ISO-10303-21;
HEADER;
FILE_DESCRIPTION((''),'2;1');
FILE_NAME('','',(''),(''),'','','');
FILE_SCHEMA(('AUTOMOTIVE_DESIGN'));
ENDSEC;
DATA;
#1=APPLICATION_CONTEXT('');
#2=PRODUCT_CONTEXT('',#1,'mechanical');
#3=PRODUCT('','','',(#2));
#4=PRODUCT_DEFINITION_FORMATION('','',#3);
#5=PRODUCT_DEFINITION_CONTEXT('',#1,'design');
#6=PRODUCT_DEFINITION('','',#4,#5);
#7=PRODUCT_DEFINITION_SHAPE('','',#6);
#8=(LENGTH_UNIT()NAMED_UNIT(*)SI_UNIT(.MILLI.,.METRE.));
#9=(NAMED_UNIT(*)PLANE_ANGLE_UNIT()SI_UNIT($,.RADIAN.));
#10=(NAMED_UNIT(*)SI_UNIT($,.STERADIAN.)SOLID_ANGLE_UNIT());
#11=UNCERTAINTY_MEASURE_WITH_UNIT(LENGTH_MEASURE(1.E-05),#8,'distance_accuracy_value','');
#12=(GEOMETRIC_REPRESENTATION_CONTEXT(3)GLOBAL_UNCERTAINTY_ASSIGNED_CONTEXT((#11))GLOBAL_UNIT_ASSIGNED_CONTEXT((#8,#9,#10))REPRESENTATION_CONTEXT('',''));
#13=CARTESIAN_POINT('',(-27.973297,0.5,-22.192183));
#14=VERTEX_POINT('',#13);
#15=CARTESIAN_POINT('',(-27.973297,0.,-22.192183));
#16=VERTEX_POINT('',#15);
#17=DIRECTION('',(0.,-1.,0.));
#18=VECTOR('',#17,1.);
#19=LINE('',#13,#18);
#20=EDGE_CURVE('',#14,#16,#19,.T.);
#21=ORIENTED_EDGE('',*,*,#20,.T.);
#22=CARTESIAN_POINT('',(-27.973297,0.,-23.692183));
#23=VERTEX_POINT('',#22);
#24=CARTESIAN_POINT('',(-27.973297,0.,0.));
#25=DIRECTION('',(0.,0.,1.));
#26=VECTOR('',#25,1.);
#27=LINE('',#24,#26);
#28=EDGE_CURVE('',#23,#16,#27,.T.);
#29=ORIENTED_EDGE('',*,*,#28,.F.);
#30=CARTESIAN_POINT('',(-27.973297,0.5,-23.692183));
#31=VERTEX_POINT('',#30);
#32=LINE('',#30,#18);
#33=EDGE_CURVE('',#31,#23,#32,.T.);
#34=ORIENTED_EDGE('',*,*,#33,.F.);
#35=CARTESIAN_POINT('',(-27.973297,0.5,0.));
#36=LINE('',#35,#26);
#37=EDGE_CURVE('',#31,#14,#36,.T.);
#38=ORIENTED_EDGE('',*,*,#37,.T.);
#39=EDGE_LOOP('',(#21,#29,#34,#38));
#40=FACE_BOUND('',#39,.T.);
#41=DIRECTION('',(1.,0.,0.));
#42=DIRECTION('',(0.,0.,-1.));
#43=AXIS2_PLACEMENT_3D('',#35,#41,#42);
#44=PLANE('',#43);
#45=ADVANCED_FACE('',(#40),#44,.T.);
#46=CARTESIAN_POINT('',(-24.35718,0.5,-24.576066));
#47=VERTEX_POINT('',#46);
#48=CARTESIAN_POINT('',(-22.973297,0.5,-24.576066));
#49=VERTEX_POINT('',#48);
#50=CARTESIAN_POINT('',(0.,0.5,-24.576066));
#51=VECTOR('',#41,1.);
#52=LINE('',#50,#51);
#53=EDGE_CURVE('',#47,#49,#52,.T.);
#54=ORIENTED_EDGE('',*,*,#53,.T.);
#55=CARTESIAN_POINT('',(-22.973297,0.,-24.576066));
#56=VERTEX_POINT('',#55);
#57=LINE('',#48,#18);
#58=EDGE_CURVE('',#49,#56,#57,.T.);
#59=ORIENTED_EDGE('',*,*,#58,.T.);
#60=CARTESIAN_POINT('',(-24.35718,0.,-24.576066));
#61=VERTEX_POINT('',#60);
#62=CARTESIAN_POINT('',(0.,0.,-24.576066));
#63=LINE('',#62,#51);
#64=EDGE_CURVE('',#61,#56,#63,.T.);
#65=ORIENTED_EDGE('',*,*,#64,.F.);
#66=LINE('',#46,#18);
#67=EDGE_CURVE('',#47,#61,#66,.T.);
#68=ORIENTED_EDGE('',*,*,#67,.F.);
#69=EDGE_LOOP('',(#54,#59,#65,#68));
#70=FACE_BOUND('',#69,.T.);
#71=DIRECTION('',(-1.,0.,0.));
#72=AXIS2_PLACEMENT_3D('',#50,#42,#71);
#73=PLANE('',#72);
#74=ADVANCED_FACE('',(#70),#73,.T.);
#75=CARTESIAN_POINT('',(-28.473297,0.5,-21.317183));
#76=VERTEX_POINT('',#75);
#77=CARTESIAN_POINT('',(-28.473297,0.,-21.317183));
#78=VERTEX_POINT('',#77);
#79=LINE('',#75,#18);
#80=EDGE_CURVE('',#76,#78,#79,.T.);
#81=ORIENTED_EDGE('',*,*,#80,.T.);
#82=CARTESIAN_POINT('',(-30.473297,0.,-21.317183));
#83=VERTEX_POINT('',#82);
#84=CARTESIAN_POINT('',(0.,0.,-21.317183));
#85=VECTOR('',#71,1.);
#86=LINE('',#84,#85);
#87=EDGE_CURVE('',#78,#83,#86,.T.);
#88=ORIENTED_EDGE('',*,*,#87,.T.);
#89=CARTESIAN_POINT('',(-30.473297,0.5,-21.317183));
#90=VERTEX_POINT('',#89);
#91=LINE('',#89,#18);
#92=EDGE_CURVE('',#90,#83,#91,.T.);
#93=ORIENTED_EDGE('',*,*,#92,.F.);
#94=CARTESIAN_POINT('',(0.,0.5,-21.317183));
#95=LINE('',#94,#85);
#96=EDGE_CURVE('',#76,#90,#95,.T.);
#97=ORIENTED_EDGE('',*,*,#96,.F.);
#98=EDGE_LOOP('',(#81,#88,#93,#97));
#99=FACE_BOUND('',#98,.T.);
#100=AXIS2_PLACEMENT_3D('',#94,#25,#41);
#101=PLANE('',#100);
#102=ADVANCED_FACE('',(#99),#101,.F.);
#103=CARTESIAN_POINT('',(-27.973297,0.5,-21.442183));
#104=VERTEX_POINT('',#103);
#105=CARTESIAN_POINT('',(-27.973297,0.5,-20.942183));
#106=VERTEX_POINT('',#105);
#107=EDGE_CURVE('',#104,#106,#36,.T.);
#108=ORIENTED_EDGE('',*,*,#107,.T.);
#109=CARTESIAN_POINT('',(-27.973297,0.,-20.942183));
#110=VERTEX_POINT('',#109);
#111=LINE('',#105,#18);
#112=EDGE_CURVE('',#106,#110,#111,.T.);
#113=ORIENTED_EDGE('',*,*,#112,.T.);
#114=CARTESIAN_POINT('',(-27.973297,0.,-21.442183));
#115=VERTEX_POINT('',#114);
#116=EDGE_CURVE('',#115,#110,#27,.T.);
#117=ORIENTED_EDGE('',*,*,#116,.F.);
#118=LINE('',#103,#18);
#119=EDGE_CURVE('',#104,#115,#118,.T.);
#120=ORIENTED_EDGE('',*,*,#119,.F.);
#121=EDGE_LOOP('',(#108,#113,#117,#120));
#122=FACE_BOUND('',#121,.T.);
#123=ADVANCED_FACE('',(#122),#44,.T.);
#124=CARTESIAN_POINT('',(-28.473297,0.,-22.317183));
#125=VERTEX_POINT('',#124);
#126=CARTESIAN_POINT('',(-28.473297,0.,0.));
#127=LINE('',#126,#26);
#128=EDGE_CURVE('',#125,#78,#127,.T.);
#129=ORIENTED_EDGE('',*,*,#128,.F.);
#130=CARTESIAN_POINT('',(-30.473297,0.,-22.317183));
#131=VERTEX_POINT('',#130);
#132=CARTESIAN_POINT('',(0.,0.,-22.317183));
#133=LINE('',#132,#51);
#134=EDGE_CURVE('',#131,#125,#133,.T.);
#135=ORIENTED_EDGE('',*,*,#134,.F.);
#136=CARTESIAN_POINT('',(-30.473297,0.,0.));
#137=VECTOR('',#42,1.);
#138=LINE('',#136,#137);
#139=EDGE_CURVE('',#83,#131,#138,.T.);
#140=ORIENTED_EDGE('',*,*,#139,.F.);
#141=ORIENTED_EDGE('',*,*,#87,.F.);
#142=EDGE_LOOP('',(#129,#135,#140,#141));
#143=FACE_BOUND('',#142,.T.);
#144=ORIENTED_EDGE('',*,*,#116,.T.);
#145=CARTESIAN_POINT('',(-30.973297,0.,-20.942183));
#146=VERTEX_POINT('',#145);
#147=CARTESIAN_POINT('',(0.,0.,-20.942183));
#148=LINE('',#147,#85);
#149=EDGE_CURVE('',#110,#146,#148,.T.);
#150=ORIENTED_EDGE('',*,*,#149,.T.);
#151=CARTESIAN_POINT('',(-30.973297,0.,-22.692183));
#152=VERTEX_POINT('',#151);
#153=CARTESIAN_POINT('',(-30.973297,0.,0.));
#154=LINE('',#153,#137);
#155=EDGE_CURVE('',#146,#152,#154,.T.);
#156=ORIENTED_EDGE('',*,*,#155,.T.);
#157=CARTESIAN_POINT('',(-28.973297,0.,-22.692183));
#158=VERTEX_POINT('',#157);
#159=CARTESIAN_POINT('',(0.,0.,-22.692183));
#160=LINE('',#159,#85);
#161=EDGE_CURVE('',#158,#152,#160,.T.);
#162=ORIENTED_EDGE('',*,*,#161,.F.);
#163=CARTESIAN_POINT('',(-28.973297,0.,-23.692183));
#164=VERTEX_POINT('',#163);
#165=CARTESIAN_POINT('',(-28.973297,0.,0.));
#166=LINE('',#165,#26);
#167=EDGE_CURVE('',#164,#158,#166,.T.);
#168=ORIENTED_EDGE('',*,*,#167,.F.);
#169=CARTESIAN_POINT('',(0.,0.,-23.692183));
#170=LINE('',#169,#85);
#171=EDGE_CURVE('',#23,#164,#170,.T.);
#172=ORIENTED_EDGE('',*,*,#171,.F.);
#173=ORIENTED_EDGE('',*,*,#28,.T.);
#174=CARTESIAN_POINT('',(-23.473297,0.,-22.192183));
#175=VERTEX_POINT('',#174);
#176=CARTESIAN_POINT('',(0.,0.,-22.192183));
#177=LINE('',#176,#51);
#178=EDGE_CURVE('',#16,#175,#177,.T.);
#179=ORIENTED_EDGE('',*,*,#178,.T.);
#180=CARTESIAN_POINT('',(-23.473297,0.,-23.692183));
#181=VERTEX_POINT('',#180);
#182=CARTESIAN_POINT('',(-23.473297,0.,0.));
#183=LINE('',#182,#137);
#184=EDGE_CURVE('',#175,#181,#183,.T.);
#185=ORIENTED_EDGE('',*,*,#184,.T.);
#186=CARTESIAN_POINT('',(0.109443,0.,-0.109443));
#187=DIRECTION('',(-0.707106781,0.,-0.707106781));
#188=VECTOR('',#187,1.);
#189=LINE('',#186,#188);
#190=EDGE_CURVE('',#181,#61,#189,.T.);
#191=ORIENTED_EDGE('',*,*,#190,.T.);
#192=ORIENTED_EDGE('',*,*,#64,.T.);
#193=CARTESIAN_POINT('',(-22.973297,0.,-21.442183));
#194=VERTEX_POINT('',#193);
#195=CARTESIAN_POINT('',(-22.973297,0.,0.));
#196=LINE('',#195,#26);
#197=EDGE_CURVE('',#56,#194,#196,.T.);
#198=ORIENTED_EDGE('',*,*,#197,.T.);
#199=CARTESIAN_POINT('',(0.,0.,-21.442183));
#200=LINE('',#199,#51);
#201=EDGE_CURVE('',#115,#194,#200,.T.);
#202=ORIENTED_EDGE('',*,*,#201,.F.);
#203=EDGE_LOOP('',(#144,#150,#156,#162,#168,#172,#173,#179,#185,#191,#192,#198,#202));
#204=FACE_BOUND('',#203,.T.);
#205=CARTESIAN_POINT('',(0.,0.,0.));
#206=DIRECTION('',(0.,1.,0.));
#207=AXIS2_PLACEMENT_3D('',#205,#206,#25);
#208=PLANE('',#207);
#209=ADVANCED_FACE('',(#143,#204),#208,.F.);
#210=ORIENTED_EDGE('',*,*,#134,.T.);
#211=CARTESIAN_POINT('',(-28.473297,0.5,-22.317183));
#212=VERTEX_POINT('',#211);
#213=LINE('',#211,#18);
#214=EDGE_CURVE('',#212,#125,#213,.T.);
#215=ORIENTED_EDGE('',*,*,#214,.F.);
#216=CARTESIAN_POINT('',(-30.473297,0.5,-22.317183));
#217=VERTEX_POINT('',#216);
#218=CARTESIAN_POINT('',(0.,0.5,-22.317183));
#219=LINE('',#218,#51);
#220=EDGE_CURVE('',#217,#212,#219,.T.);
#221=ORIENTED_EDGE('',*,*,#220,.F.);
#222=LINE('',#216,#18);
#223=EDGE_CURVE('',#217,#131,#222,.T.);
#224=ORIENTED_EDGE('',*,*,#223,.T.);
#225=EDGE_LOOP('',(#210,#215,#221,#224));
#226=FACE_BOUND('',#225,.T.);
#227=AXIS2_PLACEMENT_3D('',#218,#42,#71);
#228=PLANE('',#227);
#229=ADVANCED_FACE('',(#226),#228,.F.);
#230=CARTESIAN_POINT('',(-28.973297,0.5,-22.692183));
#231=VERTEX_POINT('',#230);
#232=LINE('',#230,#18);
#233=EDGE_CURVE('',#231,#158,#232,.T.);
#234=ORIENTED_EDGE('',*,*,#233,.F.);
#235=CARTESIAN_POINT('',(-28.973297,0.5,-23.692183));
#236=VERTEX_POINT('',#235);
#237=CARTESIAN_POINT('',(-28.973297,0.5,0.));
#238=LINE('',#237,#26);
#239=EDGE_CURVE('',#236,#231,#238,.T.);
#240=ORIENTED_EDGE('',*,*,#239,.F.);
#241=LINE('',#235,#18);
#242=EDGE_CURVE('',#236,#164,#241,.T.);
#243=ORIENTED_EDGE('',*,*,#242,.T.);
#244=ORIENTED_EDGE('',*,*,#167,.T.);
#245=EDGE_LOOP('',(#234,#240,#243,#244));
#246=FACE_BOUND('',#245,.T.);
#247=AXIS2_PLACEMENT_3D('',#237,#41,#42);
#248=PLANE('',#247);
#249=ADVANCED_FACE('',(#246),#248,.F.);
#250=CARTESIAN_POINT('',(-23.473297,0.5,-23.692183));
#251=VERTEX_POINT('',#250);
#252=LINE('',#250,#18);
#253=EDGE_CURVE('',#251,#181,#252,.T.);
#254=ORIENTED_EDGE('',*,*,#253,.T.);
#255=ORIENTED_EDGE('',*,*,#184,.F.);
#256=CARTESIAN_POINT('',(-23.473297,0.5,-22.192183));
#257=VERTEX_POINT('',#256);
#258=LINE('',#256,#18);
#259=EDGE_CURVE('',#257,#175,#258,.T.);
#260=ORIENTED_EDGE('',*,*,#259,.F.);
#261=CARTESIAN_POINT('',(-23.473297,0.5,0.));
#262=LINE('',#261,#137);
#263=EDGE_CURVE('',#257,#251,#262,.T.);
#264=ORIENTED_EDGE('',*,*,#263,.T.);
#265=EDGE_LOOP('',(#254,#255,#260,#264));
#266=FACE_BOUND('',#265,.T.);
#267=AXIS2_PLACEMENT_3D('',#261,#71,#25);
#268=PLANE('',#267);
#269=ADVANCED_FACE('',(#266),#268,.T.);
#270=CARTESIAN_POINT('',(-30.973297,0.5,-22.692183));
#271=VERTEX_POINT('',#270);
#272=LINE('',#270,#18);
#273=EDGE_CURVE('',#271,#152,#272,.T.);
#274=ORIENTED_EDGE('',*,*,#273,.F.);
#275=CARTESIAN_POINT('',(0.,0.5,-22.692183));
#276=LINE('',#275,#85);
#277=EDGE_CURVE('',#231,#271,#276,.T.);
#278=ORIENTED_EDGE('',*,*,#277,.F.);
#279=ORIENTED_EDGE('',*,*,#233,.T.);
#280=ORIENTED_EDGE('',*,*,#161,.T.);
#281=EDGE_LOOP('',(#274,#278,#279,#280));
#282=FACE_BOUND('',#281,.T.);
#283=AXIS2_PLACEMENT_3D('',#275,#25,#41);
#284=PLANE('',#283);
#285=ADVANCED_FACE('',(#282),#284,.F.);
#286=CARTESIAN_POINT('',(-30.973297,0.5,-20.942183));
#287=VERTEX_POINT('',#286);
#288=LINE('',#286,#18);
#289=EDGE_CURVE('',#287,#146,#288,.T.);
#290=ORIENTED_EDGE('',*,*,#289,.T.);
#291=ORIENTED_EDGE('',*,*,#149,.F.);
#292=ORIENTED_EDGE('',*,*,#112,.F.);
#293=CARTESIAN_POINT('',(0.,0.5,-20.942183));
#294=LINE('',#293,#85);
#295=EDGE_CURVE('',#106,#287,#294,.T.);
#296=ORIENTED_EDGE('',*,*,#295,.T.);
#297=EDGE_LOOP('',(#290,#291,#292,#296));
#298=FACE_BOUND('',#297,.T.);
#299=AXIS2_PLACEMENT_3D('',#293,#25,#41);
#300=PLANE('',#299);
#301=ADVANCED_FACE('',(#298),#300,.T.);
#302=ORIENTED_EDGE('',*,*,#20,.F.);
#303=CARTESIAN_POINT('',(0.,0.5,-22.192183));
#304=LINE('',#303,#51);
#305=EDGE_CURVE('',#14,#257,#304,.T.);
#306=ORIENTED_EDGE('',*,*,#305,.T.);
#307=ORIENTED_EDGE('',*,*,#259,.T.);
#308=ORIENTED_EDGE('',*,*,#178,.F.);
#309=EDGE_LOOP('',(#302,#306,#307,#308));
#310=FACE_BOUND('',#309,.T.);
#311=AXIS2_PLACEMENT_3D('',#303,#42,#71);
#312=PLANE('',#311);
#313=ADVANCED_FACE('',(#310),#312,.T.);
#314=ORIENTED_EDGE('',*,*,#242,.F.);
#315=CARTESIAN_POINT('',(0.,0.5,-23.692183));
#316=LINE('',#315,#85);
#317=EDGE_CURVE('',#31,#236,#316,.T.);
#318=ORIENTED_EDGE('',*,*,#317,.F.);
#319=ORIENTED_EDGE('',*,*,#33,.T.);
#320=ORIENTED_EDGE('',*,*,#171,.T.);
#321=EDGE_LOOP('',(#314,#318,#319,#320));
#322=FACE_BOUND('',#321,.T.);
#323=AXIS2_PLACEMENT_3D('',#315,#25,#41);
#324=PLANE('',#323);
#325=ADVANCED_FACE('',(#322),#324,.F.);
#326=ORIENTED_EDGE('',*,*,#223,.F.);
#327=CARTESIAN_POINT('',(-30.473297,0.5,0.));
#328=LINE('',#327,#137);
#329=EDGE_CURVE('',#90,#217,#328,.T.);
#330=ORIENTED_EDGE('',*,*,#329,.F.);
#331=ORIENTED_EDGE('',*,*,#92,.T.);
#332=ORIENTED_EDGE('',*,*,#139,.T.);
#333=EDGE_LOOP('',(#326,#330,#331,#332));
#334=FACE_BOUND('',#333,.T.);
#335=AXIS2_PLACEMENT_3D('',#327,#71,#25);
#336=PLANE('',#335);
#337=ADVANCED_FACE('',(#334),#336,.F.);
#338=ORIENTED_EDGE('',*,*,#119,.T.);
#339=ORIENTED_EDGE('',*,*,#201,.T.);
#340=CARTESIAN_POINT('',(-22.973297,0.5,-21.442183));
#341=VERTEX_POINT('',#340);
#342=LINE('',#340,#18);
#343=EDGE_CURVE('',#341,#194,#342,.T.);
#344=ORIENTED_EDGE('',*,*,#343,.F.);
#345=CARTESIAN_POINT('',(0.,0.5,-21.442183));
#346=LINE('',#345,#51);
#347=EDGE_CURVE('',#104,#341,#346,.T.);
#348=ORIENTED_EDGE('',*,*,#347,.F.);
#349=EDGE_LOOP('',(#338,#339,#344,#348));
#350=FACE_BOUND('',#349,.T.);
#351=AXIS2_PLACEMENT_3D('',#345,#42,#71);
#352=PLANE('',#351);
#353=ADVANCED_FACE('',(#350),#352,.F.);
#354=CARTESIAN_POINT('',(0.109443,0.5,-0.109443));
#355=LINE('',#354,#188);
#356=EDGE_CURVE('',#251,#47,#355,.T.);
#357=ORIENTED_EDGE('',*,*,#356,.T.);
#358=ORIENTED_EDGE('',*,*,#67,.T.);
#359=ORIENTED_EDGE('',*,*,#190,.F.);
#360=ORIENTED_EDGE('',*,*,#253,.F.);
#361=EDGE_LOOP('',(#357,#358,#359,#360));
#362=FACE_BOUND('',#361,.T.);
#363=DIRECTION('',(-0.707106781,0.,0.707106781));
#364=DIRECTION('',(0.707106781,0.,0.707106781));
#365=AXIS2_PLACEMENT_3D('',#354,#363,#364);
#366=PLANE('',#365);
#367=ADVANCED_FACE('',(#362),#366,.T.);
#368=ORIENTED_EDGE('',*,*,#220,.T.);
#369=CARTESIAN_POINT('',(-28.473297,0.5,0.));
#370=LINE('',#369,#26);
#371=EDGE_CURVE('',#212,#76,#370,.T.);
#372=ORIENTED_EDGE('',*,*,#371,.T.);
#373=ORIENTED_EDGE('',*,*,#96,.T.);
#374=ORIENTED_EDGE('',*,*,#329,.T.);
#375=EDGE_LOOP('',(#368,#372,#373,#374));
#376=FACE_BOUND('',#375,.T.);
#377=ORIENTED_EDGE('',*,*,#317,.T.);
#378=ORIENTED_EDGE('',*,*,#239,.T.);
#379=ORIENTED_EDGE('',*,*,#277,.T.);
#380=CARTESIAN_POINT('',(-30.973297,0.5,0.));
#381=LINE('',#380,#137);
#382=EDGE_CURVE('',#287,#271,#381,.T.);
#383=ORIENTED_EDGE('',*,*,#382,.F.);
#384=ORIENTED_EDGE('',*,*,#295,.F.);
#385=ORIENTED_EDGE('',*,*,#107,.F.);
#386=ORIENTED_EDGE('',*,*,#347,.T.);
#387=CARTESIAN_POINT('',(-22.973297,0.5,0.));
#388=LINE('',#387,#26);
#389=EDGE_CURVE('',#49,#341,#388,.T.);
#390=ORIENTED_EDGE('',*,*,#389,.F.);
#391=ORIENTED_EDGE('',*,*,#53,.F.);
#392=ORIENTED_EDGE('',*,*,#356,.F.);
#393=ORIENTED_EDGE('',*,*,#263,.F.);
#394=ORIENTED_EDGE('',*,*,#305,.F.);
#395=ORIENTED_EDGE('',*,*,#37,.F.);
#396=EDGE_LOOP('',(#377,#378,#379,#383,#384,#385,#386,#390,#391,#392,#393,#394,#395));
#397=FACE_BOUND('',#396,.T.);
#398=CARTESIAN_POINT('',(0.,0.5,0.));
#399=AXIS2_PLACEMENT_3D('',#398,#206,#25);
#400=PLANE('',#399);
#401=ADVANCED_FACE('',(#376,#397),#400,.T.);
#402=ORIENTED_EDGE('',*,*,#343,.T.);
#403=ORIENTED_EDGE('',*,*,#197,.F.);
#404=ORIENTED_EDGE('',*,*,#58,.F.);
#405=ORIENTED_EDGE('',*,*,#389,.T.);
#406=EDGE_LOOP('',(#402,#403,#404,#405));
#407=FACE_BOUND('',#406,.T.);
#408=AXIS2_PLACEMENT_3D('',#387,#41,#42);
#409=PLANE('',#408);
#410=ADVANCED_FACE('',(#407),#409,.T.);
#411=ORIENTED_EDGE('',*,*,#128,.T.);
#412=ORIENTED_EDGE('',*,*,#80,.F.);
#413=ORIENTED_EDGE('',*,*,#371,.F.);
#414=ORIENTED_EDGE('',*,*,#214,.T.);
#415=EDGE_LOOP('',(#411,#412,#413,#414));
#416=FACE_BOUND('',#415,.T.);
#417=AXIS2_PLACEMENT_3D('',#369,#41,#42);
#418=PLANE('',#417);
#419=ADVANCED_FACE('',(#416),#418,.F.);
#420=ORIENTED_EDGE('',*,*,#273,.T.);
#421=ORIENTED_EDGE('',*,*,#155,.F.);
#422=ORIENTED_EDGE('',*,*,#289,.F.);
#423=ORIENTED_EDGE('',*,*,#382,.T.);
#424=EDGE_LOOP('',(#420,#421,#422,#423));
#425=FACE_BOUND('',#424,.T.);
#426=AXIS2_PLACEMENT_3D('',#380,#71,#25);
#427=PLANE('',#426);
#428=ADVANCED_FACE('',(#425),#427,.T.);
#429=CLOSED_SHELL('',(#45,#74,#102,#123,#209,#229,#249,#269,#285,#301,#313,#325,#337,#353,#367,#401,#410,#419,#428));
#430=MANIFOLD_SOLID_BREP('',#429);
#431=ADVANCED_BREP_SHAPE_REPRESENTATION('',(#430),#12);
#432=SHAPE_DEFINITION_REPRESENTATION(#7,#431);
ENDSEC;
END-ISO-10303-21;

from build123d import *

# Parameters (mm, degrees)
BOSS_EXTRUDE1_DEPTH = 0.5


with BuildPart() as part:
    # Sketch1 → Boss-Extrude1 (new body)
    with BuildSketch(Plane(origin=(0, 0, 0), x_dir=(1, 0, 0), z_dir=(0, 1, 0))):
        Polygon((-23.473296771, 22.192182778), (-27.973296771, 22.192182778), (-27.973296771, 23.692182778), (-28.973296771, 23.692182778), (-28.973296771, 22.692182778), (-30.973296771, 22.692182778), (-30.973296771, 21.817182778), (-30.973296771, 20.942182778), (-27.973296771, 20.942182778), (-27.973296771, 21.442182778), (-22.973296771, 21.442182778), (-22.973296771, 24.576066254), (-24.357180247, 24.576066254), (-23.473296771, 23.692182778), align=None)
        Polygon((-30.473296771, 21.317182778), (-30.473296771, 21.817182778), (-30.473296771, 22.317182778), (-28.473296771, 22.317182778), (-28.473296771, 21.317182778), align=None, mode=Mode.SUBTRACT)
    extrude(amount=BOSS_EXTRUDE1_DEPTH)


solid = part.part
